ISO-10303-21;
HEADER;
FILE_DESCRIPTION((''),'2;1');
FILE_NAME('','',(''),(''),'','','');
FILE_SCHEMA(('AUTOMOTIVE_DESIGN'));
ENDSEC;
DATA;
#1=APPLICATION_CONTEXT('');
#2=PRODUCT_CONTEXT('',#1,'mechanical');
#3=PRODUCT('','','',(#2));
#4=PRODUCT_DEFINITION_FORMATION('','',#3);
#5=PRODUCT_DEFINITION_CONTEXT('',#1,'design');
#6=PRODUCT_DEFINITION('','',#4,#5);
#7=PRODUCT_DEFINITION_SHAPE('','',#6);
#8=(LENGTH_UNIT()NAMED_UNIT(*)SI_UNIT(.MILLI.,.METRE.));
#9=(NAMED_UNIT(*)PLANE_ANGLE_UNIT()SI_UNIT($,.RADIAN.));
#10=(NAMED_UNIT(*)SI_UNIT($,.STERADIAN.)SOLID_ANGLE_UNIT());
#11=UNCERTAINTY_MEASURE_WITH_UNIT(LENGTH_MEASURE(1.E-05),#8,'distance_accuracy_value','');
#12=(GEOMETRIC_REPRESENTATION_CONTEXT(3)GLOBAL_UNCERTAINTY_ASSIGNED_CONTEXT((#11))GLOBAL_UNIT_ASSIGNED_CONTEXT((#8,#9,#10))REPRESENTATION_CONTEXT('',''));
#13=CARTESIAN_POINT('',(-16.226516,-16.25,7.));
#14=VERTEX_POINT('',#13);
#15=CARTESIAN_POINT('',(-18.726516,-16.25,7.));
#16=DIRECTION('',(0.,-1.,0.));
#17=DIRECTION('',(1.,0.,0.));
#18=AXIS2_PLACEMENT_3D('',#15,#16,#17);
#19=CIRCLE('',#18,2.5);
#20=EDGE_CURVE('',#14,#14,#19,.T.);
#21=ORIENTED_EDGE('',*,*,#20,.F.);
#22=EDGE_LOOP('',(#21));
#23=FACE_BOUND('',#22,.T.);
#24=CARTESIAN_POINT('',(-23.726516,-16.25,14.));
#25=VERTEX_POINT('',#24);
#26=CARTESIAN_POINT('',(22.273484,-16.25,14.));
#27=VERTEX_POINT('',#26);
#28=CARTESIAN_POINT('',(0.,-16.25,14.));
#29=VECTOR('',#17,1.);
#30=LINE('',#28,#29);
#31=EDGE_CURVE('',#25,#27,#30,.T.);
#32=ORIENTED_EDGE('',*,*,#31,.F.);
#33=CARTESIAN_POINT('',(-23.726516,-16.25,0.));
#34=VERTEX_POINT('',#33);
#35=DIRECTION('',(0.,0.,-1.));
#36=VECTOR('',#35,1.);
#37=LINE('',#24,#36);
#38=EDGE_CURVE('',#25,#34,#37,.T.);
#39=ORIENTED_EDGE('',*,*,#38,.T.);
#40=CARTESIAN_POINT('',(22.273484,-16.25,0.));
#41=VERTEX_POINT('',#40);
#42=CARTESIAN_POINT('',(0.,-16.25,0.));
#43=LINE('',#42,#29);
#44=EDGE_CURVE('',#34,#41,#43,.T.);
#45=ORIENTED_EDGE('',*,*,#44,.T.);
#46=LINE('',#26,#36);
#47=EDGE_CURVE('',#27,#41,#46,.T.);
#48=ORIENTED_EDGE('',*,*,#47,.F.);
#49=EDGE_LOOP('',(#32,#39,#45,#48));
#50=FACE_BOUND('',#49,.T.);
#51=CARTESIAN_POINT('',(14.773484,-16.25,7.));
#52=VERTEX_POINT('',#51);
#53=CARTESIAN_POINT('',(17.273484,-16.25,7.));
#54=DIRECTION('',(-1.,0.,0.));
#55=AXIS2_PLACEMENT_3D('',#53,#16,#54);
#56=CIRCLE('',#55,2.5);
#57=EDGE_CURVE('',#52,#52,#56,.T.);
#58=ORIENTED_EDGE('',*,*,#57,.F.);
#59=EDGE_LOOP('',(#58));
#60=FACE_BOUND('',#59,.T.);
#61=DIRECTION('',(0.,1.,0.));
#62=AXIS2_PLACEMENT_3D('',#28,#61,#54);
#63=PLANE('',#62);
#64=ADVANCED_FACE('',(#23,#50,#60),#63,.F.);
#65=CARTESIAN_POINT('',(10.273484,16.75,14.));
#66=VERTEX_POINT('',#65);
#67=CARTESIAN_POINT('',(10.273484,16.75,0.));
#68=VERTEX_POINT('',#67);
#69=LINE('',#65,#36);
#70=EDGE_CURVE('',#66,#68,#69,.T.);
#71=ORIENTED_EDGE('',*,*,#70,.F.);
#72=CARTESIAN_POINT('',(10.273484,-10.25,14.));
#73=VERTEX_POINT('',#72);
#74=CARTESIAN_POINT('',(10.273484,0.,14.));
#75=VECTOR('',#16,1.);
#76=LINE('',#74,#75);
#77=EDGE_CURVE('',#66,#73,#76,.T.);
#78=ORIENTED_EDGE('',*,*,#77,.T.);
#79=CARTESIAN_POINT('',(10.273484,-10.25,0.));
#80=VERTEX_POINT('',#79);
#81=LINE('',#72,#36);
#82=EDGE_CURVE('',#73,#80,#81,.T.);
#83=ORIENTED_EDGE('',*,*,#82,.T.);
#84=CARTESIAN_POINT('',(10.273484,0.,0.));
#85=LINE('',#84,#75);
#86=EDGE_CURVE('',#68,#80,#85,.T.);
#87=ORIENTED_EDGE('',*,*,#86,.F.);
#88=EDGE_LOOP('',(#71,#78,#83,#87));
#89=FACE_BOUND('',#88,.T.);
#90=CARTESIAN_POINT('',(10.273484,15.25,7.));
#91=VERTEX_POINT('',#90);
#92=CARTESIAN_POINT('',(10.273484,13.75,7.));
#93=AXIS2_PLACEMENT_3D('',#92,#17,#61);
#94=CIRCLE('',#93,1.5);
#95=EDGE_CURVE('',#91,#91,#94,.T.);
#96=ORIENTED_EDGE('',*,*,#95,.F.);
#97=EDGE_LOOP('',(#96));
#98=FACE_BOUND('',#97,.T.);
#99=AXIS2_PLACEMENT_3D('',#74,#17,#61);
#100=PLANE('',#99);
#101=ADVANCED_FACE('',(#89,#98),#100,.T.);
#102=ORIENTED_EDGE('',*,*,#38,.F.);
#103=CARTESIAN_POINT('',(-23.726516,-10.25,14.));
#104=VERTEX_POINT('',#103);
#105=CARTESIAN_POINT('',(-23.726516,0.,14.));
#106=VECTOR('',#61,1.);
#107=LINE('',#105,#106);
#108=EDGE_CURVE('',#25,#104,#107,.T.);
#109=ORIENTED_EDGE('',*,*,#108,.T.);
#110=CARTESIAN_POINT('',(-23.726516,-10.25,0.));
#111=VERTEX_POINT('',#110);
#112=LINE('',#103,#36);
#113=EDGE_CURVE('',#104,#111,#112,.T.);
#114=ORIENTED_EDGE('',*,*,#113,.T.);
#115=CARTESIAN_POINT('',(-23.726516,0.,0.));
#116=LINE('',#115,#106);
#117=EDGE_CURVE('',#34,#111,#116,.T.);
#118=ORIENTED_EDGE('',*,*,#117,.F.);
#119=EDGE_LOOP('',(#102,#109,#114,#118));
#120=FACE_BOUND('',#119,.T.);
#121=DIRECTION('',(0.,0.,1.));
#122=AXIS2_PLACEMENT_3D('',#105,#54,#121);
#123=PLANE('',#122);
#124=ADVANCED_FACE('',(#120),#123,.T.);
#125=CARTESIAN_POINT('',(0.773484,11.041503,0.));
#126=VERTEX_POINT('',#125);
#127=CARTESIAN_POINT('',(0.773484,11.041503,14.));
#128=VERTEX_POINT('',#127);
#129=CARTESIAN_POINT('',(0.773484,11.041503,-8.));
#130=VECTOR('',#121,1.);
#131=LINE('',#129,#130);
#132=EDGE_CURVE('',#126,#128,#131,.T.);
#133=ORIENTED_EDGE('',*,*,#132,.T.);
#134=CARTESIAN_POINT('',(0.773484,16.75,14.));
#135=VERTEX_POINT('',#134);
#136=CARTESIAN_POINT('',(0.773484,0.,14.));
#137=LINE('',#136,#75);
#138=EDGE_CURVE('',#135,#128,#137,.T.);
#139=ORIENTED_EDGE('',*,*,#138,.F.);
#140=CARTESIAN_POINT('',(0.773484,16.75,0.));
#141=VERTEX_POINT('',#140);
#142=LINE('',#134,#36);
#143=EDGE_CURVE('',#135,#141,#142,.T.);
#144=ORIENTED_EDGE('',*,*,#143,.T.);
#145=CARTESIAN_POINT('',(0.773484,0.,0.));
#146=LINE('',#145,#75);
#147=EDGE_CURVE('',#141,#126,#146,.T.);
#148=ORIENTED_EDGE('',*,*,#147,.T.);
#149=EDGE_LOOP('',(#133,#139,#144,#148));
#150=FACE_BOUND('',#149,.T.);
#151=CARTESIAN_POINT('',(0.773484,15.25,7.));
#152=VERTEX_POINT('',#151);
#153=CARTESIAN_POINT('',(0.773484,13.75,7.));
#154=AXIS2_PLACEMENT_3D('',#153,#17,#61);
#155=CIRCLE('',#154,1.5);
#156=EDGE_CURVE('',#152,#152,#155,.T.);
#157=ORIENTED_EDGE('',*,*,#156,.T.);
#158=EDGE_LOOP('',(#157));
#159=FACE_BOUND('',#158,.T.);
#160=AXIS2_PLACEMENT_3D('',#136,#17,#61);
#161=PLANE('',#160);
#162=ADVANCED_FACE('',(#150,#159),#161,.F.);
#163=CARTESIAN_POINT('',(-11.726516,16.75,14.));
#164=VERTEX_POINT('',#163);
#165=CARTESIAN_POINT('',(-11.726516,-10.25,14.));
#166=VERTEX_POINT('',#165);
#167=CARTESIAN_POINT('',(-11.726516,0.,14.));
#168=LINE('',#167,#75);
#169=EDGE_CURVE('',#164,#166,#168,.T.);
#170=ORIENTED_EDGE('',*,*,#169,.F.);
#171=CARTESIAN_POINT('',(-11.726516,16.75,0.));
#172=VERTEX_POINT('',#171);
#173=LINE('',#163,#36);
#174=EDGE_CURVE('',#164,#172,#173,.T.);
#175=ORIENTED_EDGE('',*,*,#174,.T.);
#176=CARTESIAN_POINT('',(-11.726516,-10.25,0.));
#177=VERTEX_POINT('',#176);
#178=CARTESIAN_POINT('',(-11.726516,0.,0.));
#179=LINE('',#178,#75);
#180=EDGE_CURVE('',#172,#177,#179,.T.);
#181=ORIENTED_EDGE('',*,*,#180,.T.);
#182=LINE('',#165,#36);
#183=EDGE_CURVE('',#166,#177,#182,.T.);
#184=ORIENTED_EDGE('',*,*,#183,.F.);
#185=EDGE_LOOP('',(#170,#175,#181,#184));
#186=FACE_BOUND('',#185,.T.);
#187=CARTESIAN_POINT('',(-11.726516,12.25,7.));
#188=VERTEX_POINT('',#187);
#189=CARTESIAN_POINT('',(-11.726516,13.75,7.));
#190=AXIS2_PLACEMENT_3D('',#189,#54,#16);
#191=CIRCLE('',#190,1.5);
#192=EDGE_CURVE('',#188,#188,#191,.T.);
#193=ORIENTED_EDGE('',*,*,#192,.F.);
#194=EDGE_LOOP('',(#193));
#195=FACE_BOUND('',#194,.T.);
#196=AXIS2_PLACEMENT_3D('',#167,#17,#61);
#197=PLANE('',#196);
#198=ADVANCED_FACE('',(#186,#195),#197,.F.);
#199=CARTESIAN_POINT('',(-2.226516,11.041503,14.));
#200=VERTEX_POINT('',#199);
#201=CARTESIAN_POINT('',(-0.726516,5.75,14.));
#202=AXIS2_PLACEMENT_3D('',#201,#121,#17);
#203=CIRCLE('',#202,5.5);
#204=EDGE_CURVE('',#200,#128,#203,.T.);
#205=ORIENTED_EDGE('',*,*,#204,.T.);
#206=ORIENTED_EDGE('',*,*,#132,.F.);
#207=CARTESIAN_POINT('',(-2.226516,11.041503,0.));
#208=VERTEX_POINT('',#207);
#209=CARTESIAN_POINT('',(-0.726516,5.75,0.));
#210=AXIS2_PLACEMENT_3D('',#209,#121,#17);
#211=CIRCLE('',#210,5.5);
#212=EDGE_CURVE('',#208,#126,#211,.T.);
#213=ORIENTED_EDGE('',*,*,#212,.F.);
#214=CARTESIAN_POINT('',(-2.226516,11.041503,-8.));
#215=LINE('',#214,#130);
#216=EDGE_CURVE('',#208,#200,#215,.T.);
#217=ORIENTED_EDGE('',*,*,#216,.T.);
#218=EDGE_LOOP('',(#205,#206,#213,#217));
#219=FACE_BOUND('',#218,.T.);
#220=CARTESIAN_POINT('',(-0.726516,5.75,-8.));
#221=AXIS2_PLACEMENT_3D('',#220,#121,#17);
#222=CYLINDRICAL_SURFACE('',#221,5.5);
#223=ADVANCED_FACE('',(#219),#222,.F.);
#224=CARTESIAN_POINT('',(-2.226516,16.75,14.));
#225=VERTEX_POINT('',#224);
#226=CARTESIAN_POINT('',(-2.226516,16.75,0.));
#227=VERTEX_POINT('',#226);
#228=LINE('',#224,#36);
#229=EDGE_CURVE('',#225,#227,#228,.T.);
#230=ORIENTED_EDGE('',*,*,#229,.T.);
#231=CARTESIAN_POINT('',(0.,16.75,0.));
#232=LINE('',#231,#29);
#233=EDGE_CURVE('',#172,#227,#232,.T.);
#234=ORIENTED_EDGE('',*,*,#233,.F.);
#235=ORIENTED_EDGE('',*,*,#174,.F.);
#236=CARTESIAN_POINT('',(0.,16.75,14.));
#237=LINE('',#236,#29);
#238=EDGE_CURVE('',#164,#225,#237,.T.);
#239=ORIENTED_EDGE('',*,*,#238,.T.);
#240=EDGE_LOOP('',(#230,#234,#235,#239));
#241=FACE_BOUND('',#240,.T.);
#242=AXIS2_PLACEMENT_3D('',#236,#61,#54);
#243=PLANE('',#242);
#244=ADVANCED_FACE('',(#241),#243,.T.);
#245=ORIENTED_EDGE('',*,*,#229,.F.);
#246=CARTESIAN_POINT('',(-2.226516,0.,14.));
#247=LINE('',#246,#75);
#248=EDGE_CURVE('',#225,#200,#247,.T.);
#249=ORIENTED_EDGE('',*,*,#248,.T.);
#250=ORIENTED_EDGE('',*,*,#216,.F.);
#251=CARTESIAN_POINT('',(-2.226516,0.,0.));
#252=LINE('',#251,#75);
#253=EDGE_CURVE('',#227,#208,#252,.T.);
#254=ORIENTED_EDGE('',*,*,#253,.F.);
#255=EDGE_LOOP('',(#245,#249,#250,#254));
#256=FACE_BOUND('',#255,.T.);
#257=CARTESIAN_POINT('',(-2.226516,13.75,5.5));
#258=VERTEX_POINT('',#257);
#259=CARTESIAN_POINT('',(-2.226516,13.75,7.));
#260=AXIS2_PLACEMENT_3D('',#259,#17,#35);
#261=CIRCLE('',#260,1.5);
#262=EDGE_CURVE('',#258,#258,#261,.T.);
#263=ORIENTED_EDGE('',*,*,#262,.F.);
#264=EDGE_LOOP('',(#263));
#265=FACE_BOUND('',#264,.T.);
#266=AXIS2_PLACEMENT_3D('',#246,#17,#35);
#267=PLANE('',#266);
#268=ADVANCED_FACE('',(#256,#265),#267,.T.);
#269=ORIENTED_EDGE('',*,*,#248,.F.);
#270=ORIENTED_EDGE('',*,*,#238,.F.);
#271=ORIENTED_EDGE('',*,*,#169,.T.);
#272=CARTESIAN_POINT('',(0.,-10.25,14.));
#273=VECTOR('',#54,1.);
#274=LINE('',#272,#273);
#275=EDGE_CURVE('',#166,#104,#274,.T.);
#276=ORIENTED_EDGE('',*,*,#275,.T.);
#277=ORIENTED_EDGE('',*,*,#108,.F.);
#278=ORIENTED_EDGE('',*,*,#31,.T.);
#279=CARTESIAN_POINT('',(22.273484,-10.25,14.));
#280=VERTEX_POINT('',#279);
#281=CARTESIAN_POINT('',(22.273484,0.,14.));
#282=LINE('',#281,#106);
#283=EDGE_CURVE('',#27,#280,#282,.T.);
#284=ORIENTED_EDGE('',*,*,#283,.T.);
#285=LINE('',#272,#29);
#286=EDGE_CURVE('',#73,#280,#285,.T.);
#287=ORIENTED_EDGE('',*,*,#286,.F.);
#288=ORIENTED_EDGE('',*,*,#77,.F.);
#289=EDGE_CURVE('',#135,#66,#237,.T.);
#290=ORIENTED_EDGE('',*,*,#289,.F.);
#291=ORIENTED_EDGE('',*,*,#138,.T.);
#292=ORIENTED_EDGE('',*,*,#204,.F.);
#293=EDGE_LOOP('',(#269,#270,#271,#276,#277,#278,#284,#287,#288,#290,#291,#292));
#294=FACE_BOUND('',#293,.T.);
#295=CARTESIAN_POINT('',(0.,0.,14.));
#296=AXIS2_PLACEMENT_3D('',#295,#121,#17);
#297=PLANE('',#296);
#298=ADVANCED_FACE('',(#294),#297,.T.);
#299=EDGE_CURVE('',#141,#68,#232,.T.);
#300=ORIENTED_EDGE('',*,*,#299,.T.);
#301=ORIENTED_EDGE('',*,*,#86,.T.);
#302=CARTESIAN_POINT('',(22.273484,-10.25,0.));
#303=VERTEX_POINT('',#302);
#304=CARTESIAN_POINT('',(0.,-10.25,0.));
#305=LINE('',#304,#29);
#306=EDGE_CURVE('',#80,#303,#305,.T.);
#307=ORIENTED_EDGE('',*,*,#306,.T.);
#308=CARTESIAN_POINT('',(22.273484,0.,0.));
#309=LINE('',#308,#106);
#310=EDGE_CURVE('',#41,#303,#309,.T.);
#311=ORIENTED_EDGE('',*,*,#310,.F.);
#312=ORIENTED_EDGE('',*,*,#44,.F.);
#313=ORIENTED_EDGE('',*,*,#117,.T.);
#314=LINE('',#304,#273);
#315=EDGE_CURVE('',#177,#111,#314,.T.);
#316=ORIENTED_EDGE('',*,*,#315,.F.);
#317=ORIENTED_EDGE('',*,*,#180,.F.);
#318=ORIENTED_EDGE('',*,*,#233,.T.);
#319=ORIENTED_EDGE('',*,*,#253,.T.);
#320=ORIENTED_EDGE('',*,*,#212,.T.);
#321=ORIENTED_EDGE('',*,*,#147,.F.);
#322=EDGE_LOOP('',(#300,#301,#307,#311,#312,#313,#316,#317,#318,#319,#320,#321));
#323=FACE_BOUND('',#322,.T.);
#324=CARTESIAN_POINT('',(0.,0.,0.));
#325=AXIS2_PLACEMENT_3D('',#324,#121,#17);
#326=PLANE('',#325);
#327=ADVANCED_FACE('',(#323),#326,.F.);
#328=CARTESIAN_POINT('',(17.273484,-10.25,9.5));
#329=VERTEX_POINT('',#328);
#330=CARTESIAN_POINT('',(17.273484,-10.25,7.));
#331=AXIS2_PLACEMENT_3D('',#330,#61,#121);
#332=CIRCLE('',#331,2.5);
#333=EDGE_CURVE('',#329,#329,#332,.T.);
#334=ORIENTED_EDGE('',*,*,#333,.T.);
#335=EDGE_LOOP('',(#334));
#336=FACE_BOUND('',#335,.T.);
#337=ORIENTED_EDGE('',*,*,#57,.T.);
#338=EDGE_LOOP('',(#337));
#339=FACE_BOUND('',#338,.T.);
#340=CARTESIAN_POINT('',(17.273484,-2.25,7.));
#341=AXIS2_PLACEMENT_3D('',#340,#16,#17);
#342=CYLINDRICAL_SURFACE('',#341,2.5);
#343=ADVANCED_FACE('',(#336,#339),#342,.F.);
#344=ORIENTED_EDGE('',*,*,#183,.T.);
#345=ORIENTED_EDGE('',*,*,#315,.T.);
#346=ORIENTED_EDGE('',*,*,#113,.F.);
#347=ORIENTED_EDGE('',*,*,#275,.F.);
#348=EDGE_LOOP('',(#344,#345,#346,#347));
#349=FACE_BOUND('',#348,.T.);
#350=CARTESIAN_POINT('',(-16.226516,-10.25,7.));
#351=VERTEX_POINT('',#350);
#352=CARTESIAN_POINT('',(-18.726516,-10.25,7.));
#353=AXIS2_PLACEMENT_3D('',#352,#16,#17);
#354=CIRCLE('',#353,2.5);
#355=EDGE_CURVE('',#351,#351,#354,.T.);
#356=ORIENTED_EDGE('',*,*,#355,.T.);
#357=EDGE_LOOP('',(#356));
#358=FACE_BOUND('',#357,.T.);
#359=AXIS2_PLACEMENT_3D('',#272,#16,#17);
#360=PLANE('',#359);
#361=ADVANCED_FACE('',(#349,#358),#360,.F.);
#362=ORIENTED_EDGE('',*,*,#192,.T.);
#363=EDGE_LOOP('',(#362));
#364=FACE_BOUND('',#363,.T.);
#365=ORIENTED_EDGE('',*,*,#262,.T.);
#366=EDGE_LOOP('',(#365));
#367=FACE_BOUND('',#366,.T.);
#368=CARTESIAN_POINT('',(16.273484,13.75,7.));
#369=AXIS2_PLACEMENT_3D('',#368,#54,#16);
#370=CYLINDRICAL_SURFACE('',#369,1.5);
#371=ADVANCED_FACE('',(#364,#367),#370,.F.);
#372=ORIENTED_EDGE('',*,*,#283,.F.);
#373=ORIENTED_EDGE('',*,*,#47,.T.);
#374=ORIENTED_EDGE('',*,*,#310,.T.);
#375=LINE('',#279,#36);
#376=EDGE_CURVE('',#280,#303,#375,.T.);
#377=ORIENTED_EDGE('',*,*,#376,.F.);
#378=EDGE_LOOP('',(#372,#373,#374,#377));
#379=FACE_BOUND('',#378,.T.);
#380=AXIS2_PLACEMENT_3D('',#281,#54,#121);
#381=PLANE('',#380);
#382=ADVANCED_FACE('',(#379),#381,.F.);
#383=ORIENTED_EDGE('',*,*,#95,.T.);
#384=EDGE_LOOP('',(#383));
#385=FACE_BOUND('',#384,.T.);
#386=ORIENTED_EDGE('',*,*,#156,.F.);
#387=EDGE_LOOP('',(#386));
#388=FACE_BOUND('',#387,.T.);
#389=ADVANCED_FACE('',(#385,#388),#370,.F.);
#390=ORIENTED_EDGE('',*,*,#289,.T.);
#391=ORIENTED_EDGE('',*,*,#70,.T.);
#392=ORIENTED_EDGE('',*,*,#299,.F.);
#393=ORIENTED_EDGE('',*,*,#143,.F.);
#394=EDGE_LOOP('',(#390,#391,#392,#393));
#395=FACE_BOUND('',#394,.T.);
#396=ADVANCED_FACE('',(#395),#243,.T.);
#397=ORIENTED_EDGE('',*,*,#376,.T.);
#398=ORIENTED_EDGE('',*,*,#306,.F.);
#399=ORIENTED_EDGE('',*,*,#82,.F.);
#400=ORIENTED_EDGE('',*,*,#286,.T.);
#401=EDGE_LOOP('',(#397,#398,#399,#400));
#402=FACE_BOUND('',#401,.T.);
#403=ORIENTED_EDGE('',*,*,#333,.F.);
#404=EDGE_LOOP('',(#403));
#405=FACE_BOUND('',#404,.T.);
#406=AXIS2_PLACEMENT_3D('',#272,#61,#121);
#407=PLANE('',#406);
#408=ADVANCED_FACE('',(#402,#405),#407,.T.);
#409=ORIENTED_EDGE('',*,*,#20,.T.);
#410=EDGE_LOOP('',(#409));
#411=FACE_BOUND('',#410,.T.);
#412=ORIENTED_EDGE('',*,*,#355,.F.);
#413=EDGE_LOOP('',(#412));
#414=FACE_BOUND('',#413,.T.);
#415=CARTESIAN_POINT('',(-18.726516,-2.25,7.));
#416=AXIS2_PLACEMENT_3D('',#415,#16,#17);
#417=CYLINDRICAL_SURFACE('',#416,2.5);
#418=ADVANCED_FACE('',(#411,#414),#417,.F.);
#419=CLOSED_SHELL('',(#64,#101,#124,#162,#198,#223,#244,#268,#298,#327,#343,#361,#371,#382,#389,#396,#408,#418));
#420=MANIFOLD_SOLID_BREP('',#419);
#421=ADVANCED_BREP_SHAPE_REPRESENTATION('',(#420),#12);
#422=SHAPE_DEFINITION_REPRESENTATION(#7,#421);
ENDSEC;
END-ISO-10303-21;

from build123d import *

# Parameters (mm, degrees)
SKETCH_1_W          = 12
SKETCH_1_H          = 6
EXTRUDE_1_DEPTH     = 14
SKETCH_2_R          = 2.5
CUT_EXTRUDE_1_DEPTH = 14
SKETCH_4_R          = 1.5
CUT_EXTRUDE_2_DEPTH = 28
SKETCH_5_R          = 5.5
CUT_EXTRUDE_3_DEPTH = 22


with BuildPart() as part:
    # 草图1 → 凸台-拉伸1 (new body)
    with BuildSketch(Plane.XY):
        with BuildLine():
            Line((-2.226515598, 16.75), (-11.726515598, 16.75))
            Line((-11.726515598, 16.75), (-11.726515598, -10.25))
            Line((-11.726515598, -10.25), (-11.726515598, -16.25))
            Line((-11.726515598, -16.25), (10.273484402, -16.25))
            Line((10.273484402, -16.25), (10.273484402, -10.25))
            Line((10.273484402, -10.25), (10.273484402, 16.75))
            Line((10.273484402, 16.75), (0.773484402, 16.75))
            Line((0.773484402, 16.75), (0.773484402, 9.992640687))
            ThreePointArc((0.773484402, 9.992640687), (2.947719016, 8.348076211), (3.773484402, 5.75))
            ThreePointArc((3.773484402, 5.75), (-3.324591809, 2.075765386), (-2.226515598, 9.992640687))
            Line((-2.226515598, 9.992640687), (-2.226515598, 16.75))
        make_face()
        with Locations((16.273484402, -13.25)):
            Rectangle(SKETCH_1_W, SKETCH_1_H)
        with Locations((-17.726515598, -13.25)):
            Rectangle(SKETCH_1_W, SKETCH_1_H)
    extrude(amount=EXTRUDE_1_DEPTH)

    # 草图2 → 切除-拉伸1 (cut)
    with BuildSketch(Plane(origin=(0, -16.25, 0), x_dir=(-1, 0, 0), z_dir=(0, -1, 0))):
        with Locations(Location((18.726515598, -7, 0), (0, 0, 180))):
            Circle(SKETCH_2_R)
        with Locations(Location((-17.273484402, -7, 0), (0, 0, 270))):
            Circle(SKETCH_2_R)
    extrude(amount=-CUT_EXTRUDE_1_DEPTH, mode=Mode.SUBTRACT)

    # 草图4 → 切除-拉伸2 (cut)
    with BuildSketch(Plane.ZY.offset(11.726515598)):
        with Locations(Location((7, 13.75, 0), (0, 0, 90))):
            Circle(SKETCH_4_R)
    extrude(amount=-CUT_EXTRUDE_2_DEPTH, mode=Mode.SUBTRACT)

    # 草图5 → 切除-拉伸3 (cut)
    with BuildSketch(Plane.XY.offset(14)):
        with Locations((-0.726515598, 5.75)):
            Circle(SKETCH_5_R)
    extrude(amount=-CUT_EXTRUDE_3_DEPTH, mode=Mode.SUBTRACT)


solid = part.part
